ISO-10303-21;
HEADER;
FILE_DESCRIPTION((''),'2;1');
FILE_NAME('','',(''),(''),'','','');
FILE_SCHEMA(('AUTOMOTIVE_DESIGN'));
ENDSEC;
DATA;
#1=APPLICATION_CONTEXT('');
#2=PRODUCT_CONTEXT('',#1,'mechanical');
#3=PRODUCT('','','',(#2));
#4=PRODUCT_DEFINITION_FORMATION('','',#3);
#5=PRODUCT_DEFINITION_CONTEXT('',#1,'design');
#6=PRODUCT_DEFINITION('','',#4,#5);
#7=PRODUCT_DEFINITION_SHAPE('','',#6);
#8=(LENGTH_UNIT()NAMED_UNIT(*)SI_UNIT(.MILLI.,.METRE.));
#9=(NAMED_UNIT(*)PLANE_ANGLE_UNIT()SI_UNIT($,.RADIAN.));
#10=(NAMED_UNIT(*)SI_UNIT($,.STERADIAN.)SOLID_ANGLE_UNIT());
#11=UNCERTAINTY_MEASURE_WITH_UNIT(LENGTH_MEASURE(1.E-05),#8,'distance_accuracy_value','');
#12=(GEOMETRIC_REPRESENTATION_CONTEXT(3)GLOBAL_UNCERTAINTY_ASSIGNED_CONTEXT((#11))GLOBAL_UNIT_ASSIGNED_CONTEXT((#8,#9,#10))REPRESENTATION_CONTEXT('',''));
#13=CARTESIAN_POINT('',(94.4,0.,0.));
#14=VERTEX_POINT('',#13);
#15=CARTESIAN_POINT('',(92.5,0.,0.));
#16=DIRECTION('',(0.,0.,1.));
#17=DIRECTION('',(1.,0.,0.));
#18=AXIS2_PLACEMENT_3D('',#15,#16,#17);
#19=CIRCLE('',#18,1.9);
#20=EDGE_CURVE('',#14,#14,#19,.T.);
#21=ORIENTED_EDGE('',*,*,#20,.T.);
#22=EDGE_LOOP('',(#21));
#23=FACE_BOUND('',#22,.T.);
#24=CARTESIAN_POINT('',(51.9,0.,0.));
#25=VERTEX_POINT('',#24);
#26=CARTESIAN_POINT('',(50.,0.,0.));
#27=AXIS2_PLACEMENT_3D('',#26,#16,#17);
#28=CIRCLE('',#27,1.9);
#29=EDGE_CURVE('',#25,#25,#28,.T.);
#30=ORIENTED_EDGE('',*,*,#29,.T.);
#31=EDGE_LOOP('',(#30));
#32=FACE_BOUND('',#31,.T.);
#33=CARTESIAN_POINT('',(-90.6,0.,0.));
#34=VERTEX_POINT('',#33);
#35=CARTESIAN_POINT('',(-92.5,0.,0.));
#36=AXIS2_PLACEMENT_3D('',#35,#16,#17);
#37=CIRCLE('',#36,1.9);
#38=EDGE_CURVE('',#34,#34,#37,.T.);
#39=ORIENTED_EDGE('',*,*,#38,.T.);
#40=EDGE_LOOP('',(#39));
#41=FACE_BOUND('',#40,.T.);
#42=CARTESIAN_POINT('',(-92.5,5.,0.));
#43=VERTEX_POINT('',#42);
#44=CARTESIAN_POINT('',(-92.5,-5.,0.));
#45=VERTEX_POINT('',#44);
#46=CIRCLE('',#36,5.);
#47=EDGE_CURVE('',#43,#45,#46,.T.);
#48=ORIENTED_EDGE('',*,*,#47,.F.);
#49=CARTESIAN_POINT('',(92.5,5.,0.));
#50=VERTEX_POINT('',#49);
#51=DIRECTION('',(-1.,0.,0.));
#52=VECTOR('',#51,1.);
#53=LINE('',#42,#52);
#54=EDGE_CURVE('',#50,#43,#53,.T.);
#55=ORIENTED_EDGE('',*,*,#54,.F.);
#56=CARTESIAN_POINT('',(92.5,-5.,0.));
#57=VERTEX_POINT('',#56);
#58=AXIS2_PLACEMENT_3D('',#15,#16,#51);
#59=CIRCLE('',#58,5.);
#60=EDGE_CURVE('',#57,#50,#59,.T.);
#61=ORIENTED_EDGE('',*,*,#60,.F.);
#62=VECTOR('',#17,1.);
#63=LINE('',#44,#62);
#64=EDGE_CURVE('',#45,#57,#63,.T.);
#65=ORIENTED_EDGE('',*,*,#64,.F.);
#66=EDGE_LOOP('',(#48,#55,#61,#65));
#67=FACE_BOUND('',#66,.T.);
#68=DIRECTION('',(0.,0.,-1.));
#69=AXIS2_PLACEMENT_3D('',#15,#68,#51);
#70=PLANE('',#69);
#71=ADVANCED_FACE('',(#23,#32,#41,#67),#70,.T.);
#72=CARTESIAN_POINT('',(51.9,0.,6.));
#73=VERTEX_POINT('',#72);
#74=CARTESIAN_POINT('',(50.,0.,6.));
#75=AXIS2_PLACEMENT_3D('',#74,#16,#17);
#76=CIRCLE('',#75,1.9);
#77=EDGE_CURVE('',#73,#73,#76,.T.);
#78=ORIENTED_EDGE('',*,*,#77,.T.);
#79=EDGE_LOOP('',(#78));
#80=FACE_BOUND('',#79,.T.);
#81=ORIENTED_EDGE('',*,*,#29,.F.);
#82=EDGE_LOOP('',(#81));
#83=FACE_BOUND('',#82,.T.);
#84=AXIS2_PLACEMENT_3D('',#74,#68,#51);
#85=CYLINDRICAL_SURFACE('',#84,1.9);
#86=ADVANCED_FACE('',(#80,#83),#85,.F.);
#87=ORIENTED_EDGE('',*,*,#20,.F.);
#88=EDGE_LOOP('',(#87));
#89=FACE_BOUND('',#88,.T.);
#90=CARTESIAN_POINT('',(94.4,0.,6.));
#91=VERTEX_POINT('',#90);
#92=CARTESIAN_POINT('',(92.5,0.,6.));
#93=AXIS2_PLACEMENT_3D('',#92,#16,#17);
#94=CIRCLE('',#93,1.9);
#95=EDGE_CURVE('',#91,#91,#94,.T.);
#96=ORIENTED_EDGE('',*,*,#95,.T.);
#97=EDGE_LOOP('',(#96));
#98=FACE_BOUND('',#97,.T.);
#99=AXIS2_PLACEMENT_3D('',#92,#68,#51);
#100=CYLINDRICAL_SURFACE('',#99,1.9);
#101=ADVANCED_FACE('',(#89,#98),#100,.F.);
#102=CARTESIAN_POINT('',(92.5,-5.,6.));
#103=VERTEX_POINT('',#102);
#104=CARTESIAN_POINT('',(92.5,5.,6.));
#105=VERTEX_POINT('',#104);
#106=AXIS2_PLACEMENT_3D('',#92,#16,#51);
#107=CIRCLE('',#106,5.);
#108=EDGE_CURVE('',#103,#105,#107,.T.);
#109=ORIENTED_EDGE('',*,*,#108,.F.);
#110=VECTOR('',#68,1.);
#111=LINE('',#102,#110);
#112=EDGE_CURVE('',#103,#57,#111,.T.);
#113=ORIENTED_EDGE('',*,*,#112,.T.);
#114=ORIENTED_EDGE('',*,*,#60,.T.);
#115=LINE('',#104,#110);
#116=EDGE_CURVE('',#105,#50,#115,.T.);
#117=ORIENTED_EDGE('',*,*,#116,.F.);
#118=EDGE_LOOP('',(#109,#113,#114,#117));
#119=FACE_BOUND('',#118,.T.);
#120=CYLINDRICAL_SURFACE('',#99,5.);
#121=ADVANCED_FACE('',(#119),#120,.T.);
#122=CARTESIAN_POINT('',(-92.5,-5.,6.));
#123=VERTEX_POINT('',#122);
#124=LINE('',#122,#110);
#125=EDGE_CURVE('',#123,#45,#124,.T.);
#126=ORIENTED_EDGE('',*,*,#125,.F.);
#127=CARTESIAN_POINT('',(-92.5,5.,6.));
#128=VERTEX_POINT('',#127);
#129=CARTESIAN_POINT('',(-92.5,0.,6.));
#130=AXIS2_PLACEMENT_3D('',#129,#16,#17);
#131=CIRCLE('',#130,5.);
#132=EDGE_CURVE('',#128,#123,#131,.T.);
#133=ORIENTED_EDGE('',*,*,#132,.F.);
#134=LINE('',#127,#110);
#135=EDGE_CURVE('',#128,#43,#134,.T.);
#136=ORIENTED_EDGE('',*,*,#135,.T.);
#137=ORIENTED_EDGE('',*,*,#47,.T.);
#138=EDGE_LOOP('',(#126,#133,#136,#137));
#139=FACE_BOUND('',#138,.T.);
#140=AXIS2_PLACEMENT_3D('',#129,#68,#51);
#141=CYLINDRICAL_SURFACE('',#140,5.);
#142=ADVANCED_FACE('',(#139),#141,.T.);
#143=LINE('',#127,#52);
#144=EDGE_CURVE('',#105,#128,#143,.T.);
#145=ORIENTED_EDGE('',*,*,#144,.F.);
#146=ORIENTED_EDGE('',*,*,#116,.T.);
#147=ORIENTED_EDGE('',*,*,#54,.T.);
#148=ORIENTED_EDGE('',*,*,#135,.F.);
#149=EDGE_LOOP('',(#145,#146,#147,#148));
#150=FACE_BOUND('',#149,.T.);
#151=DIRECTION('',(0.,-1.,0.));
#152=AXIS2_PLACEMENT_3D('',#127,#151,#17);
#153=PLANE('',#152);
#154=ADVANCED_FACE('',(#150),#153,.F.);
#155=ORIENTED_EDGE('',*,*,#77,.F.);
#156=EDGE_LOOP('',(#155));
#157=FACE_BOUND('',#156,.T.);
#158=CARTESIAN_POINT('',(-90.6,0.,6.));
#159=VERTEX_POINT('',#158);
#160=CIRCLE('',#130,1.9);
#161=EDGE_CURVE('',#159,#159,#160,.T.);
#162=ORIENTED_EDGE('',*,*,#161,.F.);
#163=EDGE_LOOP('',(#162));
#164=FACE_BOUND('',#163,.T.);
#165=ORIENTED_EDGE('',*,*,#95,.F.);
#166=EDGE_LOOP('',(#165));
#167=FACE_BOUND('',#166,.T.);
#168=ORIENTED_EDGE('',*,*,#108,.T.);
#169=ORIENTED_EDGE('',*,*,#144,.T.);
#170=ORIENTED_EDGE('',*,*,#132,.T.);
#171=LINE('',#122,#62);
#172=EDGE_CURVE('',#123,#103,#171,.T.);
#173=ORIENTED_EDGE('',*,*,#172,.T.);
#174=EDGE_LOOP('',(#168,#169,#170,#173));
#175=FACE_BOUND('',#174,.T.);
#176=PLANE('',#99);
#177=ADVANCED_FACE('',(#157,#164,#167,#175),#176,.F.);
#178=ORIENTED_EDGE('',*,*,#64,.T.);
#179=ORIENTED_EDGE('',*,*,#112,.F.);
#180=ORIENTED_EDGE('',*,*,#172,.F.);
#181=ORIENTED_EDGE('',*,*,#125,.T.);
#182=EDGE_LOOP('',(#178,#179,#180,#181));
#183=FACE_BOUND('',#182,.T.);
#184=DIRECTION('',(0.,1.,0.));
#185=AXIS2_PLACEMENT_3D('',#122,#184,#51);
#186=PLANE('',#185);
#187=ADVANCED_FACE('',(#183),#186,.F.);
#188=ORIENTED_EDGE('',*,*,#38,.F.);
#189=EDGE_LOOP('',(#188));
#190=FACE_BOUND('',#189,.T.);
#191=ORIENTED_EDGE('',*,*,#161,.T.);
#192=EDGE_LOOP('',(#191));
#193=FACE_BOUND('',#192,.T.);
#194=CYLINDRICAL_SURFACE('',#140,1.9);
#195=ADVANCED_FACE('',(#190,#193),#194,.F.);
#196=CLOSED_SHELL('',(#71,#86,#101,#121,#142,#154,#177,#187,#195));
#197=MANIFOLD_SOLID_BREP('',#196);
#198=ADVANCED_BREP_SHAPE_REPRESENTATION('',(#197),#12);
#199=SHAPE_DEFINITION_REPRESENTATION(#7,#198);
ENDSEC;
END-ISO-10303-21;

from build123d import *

# Parameters (mm, degrees)
SKETCH1_R           = 1.9
BOSS_EXTRUDE1_DEPTH = 6


with BuildPart() as part:
    # Sketch1 → Boss-Extrude1 (new body)
    with BuildSketch(Plane.XY):
        with BuildLine():
            Line((-92.5, 5), (92.5, 5))
            ThreePointArc((92.5, 5), (97.5, 0), (92.5, -5))
            Line((92.5, -5), (-92.5, -5))
            ThreePointArc((-92.5, -5), (-97.5, 0), (-92.5, 5))
        make_face()
        with Locations((-92.5, 0)):
            Circle(SKETCH1_R, mode=Mode.SUBTRACT)
        with Locations((92.5, 0)):
            Circle(SKETCH1_R, mode=Mode.SUBTRACT)
        with Locations((50, 0)):
            Circle(SKETCH1_R, mode=Mode.SUBTRACT)
    extrude(amount=BOSS_EXTRUDE1_DEPTH)


solid = part.part
